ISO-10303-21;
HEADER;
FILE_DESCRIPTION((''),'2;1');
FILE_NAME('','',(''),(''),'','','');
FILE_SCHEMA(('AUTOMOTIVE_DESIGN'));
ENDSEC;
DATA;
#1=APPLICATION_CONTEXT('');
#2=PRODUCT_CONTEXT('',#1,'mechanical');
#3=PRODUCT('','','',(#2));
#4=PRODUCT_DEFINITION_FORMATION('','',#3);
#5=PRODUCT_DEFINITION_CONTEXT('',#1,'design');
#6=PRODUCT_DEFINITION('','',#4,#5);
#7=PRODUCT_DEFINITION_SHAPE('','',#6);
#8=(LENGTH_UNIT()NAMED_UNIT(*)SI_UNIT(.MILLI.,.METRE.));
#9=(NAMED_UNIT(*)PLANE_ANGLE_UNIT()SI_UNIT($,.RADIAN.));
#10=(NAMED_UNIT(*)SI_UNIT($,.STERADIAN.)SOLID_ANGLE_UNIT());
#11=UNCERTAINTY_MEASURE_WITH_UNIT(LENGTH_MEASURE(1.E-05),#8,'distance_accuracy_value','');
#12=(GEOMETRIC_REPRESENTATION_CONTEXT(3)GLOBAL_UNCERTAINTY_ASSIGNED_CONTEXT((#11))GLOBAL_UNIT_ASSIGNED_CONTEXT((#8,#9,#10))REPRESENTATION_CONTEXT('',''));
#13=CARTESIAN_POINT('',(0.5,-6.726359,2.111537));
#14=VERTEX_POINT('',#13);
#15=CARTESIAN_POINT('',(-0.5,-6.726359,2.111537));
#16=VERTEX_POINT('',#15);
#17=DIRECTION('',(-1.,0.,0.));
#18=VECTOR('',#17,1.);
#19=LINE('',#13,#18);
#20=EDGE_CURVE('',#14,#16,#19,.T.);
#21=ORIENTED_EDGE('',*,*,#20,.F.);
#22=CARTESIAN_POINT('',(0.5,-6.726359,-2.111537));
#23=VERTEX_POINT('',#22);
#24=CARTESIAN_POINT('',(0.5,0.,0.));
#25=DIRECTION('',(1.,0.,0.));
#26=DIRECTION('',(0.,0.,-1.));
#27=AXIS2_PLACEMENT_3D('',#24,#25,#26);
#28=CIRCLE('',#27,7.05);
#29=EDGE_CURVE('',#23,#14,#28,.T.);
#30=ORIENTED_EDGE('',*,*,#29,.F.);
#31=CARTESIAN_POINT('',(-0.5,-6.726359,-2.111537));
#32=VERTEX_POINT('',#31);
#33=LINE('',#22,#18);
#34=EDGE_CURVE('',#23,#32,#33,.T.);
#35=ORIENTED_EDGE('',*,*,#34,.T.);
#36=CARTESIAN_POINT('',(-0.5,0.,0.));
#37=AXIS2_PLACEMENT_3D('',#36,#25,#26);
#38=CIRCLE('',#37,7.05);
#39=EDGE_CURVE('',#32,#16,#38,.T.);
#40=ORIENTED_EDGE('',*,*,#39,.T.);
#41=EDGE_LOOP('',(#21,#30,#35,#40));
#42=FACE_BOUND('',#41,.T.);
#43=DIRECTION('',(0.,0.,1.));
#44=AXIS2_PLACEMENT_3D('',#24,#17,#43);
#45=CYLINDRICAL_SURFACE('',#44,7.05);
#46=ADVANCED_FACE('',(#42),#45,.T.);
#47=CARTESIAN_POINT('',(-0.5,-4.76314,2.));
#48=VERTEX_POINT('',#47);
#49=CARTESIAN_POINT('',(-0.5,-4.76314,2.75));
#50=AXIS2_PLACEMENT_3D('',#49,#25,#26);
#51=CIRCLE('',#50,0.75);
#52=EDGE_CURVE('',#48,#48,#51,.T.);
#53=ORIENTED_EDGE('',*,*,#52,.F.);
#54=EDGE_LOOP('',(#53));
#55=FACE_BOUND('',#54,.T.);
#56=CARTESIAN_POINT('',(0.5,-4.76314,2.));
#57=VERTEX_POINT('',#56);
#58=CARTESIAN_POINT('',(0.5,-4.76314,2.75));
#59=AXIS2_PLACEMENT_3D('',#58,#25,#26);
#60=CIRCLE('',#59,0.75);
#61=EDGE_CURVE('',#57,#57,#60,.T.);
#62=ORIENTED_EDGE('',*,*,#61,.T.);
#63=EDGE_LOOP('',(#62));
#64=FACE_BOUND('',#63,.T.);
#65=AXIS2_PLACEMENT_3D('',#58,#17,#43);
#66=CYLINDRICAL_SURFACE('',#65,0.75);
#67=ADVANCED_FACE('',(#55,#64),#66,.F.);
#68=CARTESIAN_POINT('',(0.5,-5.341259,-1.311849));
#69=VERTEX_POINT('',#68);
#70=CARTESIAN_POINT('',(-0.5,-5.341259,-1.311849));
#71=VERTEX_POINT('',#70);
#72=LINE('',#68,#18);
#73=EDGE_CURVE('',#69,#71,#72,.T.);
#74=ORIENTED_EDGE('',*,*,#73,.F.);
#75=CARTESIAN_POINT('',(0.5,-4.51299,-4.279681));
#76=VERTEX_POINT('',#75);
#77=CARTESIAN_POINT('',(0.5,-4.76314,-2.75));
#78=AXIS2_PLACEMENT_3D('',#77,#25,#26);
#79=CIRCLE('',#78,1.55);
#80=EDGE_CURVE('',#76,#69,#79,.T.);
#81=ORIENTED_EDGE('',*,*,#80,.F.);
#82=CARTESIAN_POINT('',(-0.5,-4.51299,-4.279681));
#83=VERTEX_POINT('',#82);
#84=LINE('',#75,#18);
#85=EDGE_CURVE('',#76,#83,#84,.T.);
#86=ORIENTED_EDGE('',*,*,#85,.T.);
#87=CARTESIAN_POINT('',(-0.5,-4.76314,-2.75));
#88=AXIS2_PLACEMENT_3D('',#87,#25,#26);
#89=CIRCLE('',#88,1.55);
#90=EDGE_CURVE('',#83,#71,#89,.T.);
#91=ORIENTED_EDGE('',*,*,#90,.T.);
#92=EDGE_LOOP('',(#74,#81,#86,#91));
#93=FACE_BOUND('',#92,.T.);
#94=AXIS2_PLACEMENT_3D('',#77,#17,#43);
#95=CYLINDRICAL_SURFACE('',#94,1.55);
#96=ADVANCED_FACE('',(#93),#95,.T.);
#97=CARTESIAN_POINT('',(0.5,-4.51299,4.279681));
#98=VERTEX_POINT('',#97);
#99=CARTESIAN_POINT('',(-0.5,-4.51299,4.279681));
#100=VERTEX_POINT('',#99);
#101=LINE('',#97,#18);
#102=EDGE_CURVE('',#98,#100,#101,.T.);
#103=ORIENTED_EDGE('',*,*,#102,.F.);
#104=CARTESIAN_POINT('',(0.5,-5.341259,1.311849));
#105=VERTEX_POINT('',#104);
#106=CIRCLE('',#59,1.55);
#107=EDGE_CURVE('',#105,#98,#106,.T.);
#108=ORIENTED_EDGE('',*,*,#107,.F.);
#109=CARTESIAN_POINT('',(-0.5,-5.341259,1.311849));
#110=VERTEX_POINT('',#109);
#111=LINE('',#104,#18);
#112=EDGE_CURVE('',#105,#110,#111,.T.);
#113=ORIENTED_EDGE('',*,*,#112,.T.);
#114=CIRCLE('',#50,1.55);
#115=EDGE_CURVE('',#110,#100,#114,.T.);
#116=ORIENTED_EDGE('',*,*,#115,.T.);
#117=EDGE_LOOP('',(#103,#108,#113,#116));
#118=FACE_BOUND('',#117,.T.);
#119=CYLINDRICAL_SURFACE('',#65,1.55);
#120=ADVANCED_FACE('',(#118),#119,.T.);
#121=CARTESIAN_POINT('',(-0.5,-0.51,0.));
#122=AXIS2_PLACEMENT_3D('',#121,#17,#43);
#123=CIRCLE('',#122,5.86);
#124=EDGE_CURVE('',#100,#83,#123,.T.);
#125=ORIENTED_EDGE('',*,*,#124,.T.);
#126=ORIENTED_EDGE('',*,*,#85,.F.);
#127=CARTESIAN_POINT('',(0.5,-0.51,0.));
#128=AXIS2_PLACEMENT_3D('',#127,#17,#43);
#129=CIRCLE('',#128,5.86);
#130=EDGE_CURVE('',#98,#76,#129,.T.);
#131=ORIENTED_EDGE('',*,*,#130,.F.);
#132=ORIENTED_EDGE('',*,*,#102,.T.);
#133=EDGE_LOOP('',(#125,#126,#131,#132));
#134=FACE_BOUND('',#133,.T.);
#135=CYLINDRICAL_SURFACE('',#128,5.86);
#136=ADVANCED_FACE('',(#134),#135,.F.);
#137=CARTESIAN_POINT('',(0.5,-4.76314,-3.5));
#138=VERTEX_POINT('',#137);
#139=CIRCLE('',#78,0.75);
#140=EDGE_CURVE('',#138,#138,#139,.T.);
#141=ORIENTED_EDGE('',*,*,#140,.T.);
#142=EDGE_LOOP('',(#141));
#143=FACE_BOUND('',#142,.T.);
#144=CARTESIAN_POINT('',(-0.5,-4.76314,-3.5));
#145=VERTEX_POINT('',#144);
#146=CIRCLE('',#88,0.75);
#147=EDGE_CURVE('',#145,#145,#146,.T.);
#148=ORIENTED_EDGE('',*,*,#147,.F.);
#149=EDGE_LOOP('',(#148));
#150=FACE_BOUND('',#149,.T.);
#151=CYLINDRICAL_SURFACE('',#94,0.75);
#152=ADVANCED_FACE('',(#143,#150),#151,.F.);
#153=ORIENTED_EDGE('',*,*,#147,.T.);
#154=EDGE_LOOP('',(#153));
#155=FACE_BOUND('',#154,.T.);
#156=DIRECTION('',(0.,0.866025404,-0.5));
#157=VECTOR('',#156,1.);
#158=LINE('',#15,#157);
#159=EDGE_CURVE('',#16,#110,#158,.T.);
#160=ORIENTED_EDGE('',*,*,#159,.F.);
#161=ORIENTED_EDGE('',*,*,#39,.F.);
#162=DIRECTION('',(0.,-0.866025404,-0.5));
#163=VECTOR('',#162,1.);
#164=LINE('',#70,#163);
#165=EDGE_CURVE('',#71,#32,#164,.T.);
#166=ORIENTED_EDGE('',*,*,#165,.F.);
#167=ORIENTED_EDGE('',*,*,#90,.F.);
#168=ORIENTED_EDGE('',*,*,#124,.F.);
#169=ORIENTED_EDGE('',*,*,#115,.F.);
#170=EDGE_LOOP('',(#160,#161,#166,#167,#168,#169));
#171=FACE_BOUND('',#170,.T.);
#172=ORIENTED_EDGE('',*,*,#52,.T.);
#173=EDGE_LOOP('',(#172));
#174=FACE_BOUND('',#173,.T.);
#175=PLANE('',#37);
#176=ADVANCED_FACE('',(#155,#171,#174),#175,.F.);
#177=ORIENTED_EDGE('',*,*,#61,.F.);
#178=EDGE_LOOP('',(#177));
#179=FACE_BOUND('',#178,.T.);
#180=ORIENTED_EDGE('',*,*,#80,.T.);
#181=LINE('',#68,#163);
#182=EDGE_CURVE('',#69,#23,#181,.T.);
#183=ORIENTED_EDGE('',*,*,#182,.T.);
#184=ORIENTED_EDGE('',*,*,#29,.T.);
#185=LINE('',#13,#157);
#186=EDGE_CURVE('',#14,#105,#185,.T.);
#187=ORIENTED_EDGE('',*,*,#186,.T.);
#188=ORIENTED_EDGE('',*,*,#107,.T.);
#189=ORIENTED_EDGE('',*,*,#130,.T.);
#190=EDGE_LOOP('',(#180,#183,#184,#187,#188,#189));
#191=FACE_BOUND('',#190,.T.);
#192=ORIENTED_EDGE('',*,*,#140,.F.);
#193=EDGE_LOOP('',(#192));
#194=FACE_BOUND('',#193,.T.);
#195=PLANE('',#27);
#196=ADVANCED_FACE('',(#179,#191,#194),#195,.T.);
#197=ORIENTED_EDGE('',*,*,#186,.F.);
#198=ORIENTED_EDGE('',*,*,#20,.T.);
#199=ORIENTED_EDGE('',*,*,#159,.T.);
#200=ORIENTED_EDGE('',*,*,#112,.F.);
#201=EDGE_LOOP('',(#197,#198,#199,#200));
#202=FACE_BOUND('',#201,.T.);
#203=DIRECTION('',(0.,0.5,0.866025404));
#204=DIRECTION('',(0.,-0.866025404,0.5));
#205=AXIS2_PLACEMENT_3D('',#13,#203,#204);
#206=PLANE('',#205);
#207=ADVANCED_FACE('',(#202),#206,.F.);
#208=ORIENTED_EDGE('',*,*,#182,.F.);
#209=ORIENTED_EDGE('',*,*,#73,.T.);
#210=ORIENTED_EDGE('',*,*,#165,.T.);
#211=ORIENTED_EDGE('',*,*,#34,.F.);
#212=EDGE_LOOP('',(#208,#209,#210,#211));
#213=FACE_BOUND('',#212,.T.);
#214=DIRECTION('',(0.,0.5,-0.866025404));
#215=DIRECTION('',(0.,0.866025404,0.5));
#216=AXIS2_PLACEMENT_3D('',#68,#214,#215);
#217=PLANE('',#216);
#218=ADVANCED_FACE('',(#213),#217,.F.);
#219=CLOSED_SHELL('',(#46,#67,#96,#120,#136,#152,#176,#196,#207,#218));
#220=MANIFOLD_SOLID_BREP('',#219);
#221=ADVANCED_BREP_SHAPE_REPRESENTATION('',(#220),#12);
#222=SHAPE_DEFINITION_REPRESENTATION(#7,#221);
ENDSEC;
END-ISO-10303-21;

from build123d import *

# Parameters (mm, degrees)
BOSS_EXTRUDE1_DEPTH      = 0.5
BOSS_EXTRUDE1_DEPTH_BACK = 0.5
SKETCH1_R                = 0.75


with BuildPart() as part:
    # Sketch1 → Boss-Extrude1 (new, two sides: drawn at the far end of the back side and taken through both)
    with BuildSketch(Plane(origin=(0, 0, 0), x_dir=(0, 0, -1), z_dir=(1, 0, 0)).offset(-BOSS_EXTRUDE1_DEPTH_BACK)):
        with BuildLine():
            Line((-2.111537106, -6.72635942), (-1.311849217, -5.341259368))
            ThreePointArc((-1.311849217, -5.341259368), (-2.333344184, -3.270190314), (-4.279681349, -4.512989826))
            ThreePointArc((-4.279681349, -4.512989826), (0, 5.35), (4.279681349, -4.512989826))
            ThreePointArc((4.279681349, -4.512989826), (2.333344184, -3.270190314), (1.311849217, -5.341259368))
            Line((1.311849217, -5.341259368), (2.111537106, -6.72635942))
            ThreePointArc((2.111537106, -6.72635942), (0, 7.05), (-2.111537106, -6.72635942))
        make_face()
        with Locations((2.75, -4.763139721)):
            Circle(SKETCH1_R, mode=Mode.SUBTRACT)
        with Locations((-2.75, -4.763139721)):
            Circle(SKETCH1_R, mode=Mode.SUBTRACT)
    extrude(amount=BOSS_EXTRUDE1_DEPTH + BOSS_EXTRUDE1_DEPTH_BACK)


solid = part.part
